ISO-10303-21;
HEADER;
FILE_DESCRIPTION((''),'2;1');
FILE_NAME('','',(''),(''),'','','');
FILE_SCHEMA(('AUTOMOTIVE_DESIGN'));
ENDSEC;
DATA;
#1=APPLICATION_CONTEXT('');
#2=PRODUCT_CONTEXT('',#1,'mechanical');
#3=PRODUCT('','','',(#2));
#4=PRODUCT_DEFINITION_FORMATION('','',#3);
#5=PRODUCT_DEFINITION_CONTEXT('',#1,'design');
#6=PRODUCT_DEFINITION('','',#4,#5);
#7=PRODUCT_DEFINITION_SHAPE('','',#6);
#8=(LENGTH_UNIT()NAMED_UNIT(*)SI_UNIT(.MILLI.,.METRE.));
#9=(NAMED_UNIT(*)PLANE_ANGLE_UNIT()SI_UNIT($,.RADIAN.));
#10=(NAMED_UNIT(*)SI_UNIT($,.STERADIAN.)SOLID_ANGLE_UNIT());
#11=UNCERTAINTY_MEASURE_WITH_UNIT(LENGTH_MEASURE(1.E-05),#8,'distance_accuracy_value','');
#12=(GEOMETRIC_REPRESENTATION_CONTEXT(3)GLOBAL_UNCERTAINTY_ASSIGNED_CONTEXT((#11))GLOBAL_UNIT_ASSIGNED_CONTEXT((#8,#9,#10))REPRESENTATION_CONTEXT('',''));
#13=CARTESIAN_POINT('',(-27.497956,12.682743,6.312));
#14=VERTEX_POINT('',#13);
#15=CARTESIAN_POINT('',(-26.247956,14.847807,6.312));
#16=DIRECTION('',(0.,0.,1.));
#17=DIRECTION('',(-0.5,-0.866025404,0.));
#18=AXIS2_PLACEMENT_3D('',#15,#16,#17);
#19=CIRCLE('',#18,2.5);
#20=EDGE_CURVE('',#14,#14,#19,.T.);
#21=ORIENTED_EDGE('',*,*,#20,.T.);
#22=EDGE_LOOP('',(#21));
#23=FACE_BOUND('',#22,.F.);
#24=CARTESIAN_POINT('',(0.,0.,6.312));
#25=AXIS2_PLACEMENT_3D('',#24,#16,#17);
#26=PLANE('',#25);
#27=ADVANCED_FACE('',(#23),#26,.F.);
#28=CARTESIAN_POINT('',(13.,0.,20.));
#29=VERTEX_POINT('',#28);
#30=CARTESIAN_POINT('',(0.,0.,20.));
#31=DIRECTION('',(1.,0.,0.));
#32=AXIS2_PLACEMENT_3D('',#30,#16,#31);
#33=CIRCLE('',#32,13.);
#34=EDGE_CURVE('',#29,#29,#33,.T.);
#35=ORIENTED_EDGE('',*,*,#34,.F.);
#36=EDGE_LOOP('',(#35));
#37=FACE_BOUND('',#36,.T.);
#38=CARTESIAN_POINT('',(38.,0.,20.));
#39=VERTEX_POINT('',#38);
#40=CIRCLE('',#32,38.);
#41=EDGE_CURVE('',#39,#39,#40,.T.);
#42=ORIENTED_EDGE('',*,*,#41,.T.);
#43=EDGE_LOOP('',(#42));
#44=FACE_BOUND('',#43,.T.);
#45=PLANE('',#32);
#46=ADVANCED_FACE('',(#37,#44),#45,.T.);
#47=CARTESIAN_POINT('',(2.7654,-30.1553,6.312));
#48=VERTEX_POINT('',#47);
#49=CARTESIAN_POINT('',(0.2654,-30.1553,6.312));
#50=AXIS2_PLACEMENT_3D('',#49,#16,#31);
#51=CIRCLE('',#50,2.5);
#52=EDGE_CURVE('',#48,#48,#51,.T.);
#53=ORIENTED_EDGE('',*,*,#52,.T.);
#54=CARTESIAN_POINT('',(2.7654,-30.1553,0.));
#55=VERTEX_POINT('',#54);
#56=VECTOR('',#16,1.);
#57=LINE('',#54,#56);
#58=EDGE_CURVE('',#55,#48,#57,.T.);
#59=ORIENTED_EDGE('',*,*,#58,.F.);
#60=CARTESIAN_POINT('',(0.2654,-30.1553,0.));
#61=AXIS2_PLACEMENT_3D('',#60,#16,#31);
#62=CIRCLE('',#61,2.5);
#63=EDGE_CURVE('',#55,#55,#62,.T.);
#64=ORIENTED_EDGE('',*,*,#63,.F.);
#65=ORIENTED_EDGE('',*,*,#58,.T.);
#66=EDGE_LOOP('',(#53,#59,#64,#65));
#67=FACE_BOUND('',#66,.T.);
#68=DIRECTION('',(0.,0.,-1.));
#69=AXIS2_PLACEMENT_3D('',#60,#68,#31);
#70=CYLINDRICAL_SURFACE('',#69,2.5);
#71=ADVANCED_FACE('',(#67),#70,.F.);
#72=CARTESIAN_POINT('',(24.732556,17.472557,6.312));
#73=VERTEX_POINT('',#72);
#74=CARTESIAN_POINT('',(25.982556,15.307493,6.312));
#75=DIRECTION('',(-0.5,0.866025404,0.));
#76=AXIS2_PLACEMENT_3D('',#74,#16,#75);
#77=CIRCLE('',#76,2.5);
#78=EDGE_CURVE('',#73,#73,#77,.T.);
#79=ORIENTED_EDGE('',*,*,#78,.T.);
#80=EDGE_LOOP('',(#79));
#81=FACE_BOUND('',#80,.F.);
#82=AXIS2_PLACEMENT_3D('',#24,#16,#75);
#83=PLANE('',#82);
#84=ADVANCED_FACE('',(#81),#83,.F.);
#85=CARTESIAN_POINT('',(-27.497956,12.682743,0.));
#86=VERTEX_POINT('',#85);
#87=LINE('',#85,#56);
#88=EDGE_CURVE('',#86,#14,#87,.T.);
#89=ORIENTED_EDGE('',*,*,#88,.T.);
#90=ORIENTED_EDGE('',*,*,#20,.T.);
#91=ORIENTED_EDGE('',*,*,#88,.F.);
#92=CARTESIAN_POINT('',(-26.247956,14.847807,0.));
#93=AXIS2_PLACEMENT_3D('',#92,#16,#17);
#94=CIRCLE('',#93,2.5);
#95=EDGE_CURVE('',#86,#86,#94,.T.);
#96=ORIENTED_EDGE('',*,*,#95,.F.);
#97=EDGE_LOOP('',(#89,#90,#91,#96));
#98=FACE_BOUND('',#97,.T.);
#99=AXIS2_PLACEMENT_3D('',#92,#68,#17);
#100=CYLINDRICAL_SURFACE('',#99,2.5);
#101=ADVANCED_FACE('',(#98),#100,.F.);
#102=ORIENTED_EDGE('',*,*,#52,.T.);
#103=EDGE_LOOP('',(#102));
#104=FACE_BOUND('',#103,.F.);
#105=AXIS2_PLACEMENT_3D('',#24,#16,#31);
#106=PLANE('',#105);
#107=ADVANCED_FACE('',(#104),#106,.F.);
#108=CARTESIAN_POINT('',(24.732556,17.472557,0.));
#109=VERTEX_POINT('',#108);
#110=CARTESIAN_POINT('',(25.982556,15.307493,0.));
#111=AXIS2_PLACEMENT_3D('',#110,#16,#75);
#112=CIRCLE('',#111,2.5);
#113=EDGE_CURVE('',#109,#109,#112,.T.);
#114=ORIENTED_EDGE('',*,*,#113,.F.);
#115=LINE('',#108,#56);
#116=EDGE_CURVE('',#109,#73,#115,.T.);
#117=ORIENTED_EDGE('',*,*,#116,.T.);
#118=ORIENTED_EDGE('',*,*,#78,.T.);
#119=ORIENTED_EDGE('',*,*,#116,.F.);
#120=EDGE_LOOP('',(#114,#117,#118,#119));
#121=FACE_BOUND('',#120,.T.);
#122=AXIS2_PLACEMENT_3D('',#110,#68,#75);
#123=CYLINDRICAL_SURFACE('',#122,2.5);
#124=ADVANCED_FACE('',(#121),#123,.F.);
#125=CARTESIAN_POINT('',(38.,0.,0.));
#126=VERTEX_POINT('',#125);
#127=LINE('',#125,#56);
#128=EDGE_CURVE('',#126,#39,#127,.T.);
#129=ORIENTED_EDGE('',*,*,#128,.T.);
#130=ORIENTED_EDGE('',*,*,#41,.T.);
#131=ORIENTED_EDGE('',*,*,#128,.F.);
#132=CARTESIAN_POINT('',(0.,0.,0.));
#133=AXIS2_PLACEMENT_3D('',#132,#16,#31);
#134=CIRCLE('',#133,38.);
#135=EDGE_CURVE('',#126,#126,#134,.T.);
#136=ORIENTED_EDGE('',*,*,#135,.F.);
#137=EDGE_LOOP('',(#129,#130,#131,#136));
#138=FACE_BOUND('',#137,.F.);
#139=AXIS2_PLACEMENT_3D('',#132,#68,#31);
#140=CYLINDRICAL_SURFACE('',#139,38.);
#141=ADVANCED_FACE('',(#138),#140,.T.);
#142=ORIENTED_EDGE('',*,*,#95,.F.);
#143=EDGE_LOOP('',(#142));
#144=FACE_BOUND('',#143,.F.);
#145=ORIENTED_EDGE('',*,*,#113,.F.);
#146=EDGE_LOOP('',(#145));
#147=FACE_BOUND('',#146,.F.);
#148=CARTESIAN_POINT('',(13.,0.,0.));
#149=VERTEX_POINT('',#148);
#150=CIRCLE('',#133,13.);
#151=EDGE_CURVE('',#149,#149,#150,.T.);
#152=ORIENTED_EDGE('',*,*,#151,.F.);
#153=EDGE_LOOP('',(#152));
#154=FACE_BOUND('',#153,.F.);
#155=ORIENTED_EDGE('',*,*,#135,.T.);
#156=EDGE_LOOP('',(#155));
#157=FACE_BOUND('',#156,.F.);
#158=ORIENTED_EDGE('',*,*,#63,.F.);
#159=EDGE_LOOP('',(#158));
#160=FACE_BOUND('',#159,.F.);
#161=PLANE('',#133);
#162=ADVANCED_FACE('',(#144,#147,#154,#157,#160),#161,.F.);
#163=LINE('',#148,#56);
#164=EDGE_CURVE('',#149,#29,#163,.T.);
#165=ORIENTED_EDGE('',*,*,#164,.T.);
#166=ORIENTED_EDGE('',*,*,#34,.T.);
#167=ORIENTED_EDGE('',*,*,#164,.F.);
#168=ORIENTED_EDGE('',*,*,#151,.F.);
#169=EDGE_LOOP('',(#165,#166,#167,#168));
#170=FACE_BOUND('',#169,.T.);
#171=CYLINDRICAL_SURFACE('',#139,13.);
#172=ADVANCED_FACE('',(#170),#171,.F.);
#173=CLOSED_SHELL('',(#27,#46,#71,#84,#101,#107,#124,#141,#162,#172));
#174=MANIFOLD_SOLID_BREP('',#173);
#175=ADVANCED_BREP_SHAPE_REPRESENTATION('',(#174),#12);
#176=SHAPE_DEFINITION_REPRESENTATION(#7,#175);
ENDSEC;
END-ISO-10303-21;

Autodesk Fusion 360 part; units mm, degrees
sketch "Sketch1" plane through (0, 0, 0) normal (0, 0, 1) x (1, 0, 0)
  circle A0 centre (0, 0) radius 13
  circle A1 centre (0, 0) radius 22.5
  circle A2 centre (0, 0) radius 38
  dimension "d1" = 45
  dimension "d2" = 26
  dimension "d3" = 76
extrude "Extrude1" add sketch "Sketch1" along normal blind 20 contours A1
sketch "Sketch2" plane through (0, 0, 0) normal (0, 0, 1) x (1, 0, 0)
  circle A0 centre (0.2654, -30.1553) radius 2.5
  dimension "d8" = 5
extrude "Extrude4" add sketch "Sketch1" along normal blind 20 contours A1 | A2
extrude "Extrude5" cut sketch "Sketch2" along normal blind 6.312
pattern_circular "C-Pattern2" count 3 over 360 about axis through (0, 0, 20) along (0, 0, 1) of "Extrude5"
